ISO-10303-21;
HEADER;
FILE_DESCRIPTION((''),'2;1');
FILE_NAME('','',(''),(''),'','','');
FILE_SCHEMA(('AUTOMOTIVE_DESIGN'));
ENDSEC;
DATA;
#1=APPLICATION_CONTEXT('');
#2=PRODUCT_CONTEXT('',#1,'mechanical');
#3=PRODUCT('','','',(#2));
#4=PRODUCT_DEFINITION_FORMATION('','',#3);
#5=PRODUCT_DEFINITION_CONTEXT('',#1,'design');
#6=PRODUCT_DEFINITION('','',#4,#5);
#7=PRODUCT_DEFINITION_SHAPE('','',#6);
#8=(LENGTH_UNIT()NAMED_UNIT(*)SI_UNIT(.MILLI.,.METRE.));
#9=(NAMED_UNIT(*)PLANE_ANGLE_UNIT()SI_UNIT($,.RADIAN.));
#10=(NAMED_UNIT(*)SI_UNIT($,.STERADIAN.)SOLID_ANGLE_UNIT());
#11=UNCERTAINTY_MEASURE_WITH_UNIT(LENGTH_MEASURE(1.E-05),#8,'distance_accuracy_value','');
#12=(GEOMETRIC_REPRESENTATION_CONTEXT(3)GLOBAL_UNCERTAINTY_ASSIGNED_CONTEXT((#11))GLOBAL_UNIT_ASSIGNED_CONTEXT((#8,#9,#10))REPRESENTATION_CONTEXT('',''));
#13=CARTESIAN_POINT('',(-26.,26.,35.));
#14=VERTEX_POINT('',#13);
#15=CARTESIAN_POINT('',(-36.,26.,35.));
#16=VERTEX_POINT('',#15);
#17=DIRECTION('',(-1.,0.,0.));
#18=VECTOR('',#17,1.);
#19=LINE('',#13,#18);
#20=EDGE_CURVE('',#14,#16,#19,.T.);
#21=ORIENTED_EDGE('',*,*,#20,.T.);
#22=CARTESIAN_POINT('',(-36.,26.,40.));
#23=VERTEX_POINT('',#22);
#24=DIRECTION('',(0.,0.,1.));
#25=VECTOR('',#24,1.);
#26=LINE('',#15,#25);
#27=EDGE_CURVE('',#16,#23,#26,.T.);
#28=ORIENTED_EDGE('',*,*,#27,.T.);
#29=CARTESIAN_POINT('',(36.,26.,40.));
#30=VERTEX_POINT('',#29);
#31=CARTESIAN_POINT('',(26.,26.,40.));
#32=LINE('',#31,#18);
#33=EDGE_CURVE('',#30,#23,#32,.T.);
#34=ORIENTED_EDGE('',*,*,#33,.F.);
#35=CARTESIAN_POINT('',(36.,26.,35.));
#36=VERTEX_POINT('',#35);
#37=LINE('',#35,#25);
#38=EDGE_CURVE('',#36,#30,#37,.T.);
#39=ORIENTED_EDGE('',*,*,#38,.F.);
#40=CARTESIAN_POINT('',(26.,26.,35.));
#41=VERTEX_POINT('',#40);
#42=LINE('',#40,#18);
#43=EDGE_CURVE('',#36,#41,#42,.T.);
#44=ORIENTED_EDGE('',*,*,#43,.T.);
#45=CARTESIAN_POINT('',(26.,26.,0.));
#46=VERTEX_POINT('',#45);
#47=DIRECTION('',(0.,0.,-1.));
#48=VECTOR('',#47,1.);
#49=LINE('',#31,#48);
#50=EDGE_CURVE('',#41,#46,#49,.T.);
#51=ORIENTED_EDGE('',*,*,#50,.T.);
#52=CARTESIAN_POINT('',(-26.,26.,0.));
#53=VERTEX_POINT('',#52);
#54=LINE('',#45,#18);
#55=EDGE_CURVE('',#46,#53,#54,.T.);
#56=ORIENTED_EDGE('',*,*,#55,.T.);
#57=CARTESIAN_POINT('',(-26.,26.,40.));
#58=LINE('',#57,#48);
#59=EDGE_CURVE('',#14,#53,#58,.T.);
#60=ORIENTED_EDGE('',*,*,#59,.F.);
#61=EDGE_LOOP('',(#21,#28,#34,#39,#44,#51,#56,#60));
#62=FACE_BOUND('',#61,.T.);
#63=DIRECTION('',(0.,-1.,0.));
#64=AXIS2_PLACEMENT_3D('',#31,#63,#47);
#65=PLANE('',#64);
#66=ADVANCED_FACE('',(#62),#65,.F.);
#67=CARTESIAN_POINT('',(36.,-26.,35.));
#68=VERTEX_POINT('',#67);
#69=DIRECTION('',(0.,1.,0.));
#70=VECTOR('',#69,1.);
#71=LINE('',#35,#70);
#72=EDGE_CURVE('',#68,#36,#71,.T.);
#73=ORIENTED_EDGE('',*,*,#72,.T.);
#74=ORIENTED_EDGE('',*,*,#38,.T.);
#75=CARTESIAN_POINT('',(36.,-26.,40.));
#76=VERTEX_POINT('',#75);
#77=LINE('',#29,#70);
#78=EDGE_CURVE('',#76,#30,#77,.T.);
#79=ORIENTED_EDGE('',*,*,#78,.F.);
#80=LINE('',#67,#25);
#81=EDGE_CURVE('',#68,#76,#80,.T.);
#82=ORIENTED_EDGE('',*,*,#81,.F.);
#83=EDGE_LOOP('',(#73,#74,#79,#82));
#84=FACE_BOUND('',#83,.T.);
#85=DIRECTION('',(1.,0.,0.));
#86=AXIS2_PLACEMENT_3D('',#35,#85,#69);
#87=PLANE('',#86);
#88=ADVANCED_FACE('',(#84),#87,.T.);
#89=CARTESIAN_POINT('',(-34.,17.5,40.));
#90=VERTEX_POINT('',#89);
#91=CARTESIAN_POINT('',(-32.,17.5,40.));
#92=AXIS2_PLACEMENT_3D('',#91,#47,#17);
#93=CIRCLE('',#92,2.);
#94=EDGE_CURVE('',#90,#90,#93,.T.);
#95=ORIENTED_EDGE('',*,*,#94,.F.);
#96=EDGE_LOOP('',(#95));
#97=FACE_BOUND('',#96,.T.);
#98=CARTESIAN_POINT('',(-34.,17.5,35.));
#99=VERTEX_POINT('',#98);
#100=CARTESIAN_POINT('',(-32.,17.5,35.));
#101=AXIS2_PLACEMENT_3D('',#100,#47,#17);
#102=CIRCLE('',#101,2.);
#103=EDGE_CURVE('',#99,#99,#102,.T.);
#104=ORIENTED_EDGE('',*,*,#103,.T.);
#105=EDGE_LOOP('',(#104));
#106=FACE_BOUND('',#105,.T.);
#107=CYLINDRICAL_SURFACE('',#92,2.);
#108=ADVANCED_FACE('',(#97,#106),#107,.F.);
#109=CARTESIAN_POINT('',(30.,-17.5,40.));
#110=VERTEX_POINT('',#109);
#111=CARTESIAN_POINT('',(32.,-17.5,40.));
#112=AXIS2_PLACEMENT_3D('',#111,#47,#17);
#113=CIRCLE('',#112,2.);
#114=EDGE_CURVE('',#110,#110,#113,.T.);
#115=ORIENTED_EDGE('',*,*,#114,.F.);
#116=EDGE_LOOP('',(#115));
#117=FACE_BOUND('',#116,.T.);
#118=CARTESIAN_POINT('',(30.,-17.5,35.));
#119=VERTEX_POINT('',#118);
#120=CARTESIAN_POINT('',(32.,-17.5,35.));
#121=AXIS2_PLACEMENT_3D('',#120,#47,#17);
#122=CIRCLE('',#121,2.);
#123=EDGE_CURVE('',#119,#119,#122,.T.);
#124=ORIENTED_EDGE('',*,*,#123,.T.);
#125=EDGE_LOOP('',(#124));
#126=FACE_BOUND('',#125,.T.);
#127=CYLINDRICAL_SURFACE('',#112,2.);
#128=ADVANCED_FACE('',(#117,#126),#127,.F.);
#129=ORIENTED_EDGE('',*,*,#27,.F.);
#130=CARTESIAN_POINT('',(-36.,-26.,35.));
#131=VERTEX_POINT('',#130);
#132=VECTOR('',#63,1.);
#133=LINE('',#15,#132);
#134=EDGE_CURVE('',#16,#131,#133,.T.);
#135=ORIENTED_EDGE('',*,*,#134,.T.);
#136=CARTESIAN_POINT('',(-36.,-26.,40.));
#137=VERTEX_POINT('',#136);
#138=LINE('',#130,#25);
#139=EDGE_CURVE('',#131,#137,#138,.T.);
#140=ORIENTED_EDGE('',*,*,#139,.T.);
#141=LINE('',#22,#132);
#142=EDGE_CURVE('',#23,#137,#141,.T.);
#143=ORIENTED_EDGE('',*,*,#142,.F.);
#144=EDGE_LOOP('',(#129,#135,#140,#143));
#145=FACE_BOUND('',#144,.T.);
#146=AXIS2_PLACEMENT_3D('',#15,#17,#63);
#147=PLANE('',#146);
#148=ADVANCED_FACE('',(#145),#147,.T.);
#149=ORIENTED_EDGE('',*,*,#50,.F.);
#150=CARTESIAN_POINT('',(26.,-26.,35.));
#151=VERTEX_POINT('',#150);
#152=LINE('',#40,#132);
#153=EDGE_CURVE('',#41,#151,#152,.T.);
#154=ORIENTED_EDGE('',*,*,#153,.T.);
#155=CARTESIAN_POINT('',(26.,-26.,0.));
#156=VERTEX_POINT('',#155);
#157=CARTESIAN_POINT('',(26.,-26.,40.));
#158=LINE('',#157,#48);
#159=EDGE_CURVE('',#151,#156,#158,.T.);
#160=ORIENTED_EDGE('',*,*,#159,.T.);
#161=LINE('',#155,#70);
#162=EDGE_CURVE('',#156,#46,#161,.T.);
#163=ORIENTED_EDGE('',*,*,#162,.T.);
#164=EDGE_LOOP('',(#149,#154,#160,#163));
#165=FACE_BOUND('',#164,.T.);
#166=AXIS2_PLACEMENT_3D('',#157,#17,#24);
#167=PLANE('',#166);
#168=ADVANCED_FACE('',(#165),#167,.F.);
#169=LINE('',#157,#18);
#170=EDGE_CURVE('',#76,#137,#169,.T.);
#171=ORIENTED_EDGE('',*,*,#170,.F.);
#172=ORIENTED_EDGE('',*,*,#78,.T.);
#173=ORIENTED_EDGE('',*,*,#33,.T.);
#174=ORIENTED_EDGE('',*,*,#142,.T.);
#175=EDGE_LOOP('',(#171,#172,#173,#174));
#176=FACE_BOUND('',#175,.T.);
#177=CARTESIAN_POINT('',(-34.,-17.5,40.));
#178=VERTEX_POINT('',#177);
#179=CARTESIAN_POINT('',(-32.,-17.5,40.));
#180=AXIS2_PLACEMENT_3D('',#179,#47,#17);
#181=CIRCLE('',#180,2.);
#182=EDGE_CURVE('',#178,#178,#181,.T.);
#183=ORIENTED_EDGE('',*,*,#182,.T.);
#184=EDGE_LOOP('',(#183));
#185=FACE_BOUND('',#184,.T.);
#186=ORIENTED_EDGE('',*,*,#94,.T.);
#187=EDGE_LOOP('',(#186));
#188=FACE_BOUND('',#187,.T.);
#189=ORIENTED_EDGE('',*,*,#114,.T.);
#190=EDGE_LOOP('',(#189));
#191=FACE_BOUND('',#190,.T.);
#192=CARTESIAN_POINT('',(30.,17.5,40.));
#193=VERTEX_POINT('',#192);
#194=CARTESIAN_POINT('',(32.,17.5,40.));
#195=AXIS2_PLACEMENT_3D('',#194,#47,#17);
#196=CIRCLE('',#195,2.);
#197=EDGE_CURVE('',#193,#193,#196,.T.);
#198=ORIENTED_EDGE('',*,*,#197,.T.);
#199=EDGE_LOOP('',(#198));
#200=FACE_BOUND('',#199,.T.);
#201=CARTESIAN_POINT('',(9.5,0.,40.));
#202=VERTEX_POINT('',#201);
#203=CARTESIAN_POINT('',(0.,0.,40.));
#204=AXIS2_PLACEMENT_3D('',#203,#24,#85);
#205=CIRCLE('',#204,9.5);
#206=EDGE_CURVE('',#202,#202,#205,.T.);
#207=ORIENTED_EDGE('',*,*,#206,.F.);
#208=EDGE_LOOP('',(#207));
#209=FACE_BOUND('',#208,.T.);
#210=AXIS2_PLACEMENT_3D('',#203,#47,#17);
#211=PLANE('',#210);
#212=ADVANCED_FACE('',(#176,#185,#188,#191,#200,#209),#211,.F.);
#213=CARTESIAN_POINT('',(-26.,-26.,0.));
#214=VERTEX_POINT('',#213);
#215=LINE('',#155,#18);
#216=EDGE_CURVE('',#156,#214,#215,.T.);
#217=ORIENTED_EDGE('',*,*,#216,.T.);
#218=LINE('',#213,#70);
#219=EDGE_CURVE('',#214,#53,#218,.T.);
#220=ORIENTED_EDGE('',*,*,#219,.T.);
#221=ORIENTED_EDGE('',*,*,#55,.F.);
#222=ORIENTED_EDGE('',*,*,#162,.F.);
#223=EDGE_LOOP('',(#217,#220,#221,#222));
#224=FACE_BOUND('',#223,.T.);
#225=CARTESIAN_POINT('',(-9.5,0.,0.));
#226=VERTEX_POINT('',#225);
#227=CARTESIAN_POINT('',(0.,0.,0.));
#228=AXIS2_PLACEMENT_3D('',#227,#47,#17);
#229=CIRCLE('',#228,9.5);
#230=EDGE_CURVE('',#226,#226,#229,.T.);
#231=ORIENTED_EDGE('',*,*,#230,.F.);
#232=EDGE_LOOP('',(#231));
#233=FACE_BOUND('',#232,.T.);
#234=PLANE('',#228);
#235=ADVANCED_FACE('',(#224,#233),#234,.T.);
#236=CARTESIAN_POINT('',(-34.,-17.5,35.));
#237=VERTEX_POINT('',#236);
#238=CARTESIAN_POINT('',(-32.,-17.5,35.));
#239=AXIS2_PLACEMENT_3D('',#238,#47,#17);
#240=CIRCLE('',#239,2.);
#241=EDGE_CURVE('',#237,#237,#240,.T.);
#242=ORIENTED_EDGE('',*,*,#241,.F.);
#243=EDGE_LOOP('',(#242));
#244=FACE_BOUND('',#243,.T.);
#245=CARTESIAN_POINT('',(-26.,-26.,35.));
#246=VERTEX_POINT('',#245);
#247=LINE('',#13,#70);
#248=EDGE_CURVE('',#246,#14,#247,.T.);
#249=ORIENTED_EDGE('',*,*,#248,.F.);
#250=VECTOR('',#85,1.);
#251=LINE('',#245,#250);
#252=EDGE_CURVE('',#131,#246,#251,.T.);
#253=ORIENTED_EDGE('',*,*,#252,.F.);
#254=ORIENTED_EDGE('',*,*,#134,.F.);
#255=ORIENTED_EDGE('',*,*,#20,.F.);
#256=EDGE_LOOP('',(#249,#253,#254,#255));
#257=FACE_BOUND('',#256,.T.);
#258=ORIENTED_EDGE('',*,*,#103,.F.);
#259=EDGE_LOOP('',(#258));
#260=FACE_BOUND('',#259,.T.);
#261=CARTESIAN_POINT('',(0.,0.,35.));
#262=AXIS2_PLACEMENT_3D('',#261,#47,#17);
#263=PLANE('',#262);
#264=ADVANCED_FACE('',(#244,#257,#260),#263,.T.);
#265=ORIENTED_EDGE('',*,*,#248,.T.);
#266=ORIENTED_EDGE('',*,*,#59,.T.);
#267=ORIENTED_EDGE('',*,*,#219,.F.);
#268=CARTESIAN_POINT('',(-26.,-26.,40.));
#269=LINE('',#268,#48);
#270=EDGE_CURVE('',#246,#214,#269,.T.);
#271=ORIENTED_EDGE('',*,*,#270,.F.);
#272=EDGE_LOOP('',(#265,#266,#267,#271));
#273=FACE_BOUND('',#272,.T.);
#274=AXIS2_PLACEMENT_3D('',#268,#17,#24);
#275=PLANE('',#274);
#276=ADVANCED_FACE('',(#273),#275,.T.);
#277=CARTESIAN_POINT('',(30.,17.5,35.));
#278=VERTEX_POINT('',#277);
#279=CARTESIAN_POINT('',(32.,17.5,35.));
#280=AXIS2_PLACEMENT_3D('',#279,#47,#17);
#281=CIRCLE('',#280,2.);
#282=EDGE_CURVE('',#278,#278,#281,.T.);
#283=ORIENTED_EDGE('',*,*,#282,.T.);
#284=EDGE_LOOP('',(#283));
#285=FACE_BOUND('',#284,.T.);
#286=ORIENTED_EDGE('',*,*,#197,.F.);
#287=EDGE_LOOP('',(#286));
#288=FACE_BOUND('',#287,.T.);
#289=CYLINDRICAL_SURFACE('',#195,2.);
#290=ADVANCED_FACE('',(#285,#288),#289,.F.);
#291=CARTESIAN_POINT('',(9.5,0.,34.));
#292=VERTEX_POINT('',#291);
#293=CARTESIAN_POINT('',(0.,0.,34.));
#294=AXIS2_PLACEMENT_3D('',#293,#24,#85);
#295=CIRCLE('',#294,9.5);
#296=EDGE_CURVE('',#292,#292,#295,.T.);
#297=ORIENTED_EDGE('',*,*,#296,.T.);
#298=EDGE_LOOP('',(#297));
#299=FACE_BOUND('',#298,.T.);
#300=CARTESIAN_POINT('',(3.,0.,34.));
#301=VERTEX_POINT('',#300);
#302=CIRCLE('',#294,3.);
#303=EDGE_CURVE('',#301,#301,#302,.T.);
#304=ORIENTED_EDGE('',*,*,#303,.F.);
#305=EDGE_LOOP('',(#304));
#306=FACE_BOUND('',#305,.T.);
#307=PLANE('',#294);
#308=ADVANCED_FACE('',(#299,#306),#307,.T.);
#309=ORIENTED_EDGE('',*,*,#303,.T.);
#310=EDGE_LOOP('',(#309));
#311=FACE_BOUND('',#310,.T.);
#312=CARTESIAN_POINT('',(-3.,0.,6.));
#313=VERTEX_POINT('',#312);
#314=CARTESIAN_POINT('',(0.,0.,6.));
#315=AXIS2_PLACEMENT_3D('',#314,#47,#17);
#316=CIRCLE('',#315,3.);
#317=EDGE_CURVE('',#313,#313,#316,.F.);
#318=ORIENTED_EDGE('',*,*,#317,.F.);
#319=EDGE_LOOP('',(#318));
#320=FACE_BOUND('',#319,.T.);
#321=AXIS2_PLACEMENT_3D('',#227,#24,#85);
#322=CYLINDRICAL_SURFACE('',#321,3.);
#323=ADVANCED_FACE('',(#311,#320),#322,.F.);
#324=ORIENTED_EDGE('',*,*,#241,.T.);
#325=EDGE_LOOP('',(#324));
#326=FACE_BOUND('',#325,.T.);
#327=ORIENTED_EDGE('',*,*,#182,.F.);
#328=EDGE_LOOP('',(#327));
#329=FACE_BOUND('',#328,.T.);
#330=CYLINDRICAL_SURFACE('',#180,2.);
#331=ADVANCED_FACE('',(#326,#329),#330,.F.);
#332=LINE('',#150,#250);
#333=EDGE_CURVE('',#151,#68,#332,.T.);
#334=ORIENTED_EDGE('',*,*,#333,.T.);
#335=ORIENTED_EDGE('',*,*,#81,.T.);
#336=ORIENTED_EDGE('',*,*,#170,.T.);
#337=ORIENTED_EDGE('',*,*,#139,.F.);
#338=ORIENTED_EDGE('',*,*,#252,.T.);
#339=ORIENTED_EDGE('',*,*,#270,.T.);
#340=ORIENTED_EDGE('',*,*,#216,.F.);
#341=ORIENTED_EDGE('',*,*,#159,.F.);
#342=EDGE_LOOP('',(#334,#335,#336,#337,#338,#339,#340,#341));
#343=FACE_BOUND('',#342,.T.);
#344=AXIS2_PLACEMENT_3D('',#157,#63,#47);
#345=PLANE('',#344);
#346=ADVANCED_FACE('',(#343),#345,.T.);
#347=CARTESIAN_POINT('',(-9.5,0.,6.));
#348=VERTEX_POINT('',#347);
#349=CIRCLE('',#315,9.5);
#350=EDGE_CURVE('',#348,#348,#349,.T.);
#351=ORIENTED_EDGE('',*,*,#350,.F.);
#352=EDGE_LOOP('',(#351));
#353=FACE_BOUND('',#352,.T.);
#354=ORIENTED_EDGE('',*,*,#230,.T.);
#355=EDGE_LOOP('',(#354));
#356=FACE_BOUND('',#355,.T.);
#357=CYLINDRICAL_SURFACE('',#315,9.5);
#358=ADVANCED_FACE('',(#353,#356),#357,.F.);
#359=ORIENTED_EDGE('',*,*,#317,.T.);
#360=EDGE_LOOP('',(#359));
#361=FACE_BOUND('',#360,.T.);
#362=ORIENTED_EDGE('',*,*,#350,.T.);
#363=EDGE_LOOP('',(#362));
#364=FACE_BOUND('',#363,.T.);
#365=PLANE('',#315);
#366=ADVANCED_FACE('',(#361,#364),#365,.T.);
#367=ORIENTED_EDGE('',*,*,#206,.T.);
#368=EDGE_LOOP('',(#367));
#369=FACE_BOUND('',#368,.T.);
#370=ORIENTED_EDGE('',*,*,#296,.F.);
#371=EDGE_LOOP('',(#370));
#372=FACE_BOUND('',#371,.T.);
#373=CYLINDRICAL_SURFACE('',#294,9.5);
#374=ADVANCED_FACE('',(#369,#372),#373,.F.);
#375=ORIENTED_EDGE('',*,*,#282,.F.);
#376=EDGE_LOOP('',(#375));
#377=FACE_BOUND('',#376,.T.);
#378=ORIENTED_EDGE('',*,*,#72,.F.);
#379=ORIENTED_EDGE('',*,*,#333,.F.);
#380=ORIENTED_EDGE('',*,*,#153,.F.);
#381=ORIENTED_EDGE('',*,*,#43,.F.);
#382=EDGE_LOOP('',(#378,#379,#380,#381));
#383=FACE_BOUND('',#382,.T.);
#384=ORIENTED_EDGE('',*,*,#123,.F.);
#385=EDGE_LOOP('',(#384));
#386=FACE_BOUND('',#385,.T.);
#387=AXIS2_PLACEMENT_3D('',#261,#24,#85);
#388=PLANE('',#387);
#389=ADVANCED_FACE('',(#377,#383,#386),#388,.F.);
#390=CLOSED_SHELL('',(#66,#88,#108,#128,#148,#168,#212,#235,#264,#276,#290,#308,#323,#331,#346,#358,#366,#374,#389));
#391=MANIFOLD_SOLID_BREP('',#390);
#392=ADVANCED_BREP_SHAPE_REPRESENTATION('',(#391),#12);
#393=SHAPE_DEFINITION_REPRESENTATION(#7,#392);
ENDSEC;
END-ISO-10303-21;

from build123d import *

# Parameters (mm, degrees)
SKETCH3_W           = 52
SKETCH3_H           = 52
BOSS_EXTRUDE1_DEPTH = 40
SKETCH4_R           = 3
CUT_EXTRUDE5_DEPTH  = 40
SKETCH4_5_R         = 9.5
SKETCH4_5_R_2       = 3
CUT_EXTRUDE6_DEPTH  = 6
CUT_EXTRUDE8_START  = -6
SKETCH5_R           = 9.5
CUT_EXTRUDE8_DEPTH  = 6
SKETCH6_W           = 10
SKETCH6_H           = 52
BOSS_EXTRUDE2_DEPTH = 5
SKETCH7_R           = 2
CUT_EXTRUDE9_DEPTH  = 5


with BuildPart() as part:
    # Sketch3 → Boss-Extrude1 (new body)
    with BuildSketch(Plane.XY):
        Rectangle(SKETCH3_W, SKETCH3_H)
    extrude(amount=BOSS_EXTRUDE1_DEPTH)

    # Sketch4 → Cut-Extrude5 (cut)
    with BuildSketch(Plane.XY.offset(40)):
        Circle(SKETCH4_R)
    extrude(amount=-CUT_EXTRUDE5_DEPTH, mode=Mode.SUBTRACT)

    # Sketch4<5> → Cut-Extrude6 (cut)
    with BuildSketch(Plane.XY.offset(40)):
        Circle(SKETCH4_5_R)
        Circle(SKETCH4_5_R_2, mode=Mode.SUBTRACT)
    extrude(amount=-CUT_EXTRUDE6_DEPTH, mode=Mode.SUBTRACT)

    # Sketch5 → Cut-Extrude8 (cut)
    with BuildSketch(Plane(origin=(0, 0, 0), x_dir=(-1, 0, 0), z_dir=(0, 0, -1)).offset(CUT_EXTRUDE8_START)):
        with Locations(Location((0, 0, 0), (0, 0, 180))):
            Circle(SKETCH5_R)
    extrude(amount=CUT_EXTRUDE8_DEPTH, mode=Mode.SUBTRACT)

    # Sketch6 → Boss-Extrude2 (add)
    with BuildSketch(Plane.XY.offset(40)):
        with Locations((31, 0)):
            Rectangle(SKETCH6_W, SKETCH6_H)
        with Locations((-31, 0)):
            Rectangle(SKETCH6_W, SKETCH6_H)
    extrude(amount=-BOSS_EXTRUDE2_DEPTH)

    # Sketch7 → Cut-Extrude9 (cut)
    with BuildSketch(Plane(origin=(0, 0, 35), x_dir=(-1, 0, 0), z_dir=(0, 0, -1))):
        with Locations((-32, 17.5)):
            Circle(SKETCH7_R)
        with Locations((32, 17.5)):
            Circle(SKETCH7_R)
        with Locations((32, -17.5)):
            Circle(SKETCH7_R)
        with Locations((-32, -17.5)):
            Circle(SKETCH7_R)
    extrude(amount=-CUT_EXTRUDE9_DEPTH, mode=Mode.SUBTRACT)


solid = part.part
